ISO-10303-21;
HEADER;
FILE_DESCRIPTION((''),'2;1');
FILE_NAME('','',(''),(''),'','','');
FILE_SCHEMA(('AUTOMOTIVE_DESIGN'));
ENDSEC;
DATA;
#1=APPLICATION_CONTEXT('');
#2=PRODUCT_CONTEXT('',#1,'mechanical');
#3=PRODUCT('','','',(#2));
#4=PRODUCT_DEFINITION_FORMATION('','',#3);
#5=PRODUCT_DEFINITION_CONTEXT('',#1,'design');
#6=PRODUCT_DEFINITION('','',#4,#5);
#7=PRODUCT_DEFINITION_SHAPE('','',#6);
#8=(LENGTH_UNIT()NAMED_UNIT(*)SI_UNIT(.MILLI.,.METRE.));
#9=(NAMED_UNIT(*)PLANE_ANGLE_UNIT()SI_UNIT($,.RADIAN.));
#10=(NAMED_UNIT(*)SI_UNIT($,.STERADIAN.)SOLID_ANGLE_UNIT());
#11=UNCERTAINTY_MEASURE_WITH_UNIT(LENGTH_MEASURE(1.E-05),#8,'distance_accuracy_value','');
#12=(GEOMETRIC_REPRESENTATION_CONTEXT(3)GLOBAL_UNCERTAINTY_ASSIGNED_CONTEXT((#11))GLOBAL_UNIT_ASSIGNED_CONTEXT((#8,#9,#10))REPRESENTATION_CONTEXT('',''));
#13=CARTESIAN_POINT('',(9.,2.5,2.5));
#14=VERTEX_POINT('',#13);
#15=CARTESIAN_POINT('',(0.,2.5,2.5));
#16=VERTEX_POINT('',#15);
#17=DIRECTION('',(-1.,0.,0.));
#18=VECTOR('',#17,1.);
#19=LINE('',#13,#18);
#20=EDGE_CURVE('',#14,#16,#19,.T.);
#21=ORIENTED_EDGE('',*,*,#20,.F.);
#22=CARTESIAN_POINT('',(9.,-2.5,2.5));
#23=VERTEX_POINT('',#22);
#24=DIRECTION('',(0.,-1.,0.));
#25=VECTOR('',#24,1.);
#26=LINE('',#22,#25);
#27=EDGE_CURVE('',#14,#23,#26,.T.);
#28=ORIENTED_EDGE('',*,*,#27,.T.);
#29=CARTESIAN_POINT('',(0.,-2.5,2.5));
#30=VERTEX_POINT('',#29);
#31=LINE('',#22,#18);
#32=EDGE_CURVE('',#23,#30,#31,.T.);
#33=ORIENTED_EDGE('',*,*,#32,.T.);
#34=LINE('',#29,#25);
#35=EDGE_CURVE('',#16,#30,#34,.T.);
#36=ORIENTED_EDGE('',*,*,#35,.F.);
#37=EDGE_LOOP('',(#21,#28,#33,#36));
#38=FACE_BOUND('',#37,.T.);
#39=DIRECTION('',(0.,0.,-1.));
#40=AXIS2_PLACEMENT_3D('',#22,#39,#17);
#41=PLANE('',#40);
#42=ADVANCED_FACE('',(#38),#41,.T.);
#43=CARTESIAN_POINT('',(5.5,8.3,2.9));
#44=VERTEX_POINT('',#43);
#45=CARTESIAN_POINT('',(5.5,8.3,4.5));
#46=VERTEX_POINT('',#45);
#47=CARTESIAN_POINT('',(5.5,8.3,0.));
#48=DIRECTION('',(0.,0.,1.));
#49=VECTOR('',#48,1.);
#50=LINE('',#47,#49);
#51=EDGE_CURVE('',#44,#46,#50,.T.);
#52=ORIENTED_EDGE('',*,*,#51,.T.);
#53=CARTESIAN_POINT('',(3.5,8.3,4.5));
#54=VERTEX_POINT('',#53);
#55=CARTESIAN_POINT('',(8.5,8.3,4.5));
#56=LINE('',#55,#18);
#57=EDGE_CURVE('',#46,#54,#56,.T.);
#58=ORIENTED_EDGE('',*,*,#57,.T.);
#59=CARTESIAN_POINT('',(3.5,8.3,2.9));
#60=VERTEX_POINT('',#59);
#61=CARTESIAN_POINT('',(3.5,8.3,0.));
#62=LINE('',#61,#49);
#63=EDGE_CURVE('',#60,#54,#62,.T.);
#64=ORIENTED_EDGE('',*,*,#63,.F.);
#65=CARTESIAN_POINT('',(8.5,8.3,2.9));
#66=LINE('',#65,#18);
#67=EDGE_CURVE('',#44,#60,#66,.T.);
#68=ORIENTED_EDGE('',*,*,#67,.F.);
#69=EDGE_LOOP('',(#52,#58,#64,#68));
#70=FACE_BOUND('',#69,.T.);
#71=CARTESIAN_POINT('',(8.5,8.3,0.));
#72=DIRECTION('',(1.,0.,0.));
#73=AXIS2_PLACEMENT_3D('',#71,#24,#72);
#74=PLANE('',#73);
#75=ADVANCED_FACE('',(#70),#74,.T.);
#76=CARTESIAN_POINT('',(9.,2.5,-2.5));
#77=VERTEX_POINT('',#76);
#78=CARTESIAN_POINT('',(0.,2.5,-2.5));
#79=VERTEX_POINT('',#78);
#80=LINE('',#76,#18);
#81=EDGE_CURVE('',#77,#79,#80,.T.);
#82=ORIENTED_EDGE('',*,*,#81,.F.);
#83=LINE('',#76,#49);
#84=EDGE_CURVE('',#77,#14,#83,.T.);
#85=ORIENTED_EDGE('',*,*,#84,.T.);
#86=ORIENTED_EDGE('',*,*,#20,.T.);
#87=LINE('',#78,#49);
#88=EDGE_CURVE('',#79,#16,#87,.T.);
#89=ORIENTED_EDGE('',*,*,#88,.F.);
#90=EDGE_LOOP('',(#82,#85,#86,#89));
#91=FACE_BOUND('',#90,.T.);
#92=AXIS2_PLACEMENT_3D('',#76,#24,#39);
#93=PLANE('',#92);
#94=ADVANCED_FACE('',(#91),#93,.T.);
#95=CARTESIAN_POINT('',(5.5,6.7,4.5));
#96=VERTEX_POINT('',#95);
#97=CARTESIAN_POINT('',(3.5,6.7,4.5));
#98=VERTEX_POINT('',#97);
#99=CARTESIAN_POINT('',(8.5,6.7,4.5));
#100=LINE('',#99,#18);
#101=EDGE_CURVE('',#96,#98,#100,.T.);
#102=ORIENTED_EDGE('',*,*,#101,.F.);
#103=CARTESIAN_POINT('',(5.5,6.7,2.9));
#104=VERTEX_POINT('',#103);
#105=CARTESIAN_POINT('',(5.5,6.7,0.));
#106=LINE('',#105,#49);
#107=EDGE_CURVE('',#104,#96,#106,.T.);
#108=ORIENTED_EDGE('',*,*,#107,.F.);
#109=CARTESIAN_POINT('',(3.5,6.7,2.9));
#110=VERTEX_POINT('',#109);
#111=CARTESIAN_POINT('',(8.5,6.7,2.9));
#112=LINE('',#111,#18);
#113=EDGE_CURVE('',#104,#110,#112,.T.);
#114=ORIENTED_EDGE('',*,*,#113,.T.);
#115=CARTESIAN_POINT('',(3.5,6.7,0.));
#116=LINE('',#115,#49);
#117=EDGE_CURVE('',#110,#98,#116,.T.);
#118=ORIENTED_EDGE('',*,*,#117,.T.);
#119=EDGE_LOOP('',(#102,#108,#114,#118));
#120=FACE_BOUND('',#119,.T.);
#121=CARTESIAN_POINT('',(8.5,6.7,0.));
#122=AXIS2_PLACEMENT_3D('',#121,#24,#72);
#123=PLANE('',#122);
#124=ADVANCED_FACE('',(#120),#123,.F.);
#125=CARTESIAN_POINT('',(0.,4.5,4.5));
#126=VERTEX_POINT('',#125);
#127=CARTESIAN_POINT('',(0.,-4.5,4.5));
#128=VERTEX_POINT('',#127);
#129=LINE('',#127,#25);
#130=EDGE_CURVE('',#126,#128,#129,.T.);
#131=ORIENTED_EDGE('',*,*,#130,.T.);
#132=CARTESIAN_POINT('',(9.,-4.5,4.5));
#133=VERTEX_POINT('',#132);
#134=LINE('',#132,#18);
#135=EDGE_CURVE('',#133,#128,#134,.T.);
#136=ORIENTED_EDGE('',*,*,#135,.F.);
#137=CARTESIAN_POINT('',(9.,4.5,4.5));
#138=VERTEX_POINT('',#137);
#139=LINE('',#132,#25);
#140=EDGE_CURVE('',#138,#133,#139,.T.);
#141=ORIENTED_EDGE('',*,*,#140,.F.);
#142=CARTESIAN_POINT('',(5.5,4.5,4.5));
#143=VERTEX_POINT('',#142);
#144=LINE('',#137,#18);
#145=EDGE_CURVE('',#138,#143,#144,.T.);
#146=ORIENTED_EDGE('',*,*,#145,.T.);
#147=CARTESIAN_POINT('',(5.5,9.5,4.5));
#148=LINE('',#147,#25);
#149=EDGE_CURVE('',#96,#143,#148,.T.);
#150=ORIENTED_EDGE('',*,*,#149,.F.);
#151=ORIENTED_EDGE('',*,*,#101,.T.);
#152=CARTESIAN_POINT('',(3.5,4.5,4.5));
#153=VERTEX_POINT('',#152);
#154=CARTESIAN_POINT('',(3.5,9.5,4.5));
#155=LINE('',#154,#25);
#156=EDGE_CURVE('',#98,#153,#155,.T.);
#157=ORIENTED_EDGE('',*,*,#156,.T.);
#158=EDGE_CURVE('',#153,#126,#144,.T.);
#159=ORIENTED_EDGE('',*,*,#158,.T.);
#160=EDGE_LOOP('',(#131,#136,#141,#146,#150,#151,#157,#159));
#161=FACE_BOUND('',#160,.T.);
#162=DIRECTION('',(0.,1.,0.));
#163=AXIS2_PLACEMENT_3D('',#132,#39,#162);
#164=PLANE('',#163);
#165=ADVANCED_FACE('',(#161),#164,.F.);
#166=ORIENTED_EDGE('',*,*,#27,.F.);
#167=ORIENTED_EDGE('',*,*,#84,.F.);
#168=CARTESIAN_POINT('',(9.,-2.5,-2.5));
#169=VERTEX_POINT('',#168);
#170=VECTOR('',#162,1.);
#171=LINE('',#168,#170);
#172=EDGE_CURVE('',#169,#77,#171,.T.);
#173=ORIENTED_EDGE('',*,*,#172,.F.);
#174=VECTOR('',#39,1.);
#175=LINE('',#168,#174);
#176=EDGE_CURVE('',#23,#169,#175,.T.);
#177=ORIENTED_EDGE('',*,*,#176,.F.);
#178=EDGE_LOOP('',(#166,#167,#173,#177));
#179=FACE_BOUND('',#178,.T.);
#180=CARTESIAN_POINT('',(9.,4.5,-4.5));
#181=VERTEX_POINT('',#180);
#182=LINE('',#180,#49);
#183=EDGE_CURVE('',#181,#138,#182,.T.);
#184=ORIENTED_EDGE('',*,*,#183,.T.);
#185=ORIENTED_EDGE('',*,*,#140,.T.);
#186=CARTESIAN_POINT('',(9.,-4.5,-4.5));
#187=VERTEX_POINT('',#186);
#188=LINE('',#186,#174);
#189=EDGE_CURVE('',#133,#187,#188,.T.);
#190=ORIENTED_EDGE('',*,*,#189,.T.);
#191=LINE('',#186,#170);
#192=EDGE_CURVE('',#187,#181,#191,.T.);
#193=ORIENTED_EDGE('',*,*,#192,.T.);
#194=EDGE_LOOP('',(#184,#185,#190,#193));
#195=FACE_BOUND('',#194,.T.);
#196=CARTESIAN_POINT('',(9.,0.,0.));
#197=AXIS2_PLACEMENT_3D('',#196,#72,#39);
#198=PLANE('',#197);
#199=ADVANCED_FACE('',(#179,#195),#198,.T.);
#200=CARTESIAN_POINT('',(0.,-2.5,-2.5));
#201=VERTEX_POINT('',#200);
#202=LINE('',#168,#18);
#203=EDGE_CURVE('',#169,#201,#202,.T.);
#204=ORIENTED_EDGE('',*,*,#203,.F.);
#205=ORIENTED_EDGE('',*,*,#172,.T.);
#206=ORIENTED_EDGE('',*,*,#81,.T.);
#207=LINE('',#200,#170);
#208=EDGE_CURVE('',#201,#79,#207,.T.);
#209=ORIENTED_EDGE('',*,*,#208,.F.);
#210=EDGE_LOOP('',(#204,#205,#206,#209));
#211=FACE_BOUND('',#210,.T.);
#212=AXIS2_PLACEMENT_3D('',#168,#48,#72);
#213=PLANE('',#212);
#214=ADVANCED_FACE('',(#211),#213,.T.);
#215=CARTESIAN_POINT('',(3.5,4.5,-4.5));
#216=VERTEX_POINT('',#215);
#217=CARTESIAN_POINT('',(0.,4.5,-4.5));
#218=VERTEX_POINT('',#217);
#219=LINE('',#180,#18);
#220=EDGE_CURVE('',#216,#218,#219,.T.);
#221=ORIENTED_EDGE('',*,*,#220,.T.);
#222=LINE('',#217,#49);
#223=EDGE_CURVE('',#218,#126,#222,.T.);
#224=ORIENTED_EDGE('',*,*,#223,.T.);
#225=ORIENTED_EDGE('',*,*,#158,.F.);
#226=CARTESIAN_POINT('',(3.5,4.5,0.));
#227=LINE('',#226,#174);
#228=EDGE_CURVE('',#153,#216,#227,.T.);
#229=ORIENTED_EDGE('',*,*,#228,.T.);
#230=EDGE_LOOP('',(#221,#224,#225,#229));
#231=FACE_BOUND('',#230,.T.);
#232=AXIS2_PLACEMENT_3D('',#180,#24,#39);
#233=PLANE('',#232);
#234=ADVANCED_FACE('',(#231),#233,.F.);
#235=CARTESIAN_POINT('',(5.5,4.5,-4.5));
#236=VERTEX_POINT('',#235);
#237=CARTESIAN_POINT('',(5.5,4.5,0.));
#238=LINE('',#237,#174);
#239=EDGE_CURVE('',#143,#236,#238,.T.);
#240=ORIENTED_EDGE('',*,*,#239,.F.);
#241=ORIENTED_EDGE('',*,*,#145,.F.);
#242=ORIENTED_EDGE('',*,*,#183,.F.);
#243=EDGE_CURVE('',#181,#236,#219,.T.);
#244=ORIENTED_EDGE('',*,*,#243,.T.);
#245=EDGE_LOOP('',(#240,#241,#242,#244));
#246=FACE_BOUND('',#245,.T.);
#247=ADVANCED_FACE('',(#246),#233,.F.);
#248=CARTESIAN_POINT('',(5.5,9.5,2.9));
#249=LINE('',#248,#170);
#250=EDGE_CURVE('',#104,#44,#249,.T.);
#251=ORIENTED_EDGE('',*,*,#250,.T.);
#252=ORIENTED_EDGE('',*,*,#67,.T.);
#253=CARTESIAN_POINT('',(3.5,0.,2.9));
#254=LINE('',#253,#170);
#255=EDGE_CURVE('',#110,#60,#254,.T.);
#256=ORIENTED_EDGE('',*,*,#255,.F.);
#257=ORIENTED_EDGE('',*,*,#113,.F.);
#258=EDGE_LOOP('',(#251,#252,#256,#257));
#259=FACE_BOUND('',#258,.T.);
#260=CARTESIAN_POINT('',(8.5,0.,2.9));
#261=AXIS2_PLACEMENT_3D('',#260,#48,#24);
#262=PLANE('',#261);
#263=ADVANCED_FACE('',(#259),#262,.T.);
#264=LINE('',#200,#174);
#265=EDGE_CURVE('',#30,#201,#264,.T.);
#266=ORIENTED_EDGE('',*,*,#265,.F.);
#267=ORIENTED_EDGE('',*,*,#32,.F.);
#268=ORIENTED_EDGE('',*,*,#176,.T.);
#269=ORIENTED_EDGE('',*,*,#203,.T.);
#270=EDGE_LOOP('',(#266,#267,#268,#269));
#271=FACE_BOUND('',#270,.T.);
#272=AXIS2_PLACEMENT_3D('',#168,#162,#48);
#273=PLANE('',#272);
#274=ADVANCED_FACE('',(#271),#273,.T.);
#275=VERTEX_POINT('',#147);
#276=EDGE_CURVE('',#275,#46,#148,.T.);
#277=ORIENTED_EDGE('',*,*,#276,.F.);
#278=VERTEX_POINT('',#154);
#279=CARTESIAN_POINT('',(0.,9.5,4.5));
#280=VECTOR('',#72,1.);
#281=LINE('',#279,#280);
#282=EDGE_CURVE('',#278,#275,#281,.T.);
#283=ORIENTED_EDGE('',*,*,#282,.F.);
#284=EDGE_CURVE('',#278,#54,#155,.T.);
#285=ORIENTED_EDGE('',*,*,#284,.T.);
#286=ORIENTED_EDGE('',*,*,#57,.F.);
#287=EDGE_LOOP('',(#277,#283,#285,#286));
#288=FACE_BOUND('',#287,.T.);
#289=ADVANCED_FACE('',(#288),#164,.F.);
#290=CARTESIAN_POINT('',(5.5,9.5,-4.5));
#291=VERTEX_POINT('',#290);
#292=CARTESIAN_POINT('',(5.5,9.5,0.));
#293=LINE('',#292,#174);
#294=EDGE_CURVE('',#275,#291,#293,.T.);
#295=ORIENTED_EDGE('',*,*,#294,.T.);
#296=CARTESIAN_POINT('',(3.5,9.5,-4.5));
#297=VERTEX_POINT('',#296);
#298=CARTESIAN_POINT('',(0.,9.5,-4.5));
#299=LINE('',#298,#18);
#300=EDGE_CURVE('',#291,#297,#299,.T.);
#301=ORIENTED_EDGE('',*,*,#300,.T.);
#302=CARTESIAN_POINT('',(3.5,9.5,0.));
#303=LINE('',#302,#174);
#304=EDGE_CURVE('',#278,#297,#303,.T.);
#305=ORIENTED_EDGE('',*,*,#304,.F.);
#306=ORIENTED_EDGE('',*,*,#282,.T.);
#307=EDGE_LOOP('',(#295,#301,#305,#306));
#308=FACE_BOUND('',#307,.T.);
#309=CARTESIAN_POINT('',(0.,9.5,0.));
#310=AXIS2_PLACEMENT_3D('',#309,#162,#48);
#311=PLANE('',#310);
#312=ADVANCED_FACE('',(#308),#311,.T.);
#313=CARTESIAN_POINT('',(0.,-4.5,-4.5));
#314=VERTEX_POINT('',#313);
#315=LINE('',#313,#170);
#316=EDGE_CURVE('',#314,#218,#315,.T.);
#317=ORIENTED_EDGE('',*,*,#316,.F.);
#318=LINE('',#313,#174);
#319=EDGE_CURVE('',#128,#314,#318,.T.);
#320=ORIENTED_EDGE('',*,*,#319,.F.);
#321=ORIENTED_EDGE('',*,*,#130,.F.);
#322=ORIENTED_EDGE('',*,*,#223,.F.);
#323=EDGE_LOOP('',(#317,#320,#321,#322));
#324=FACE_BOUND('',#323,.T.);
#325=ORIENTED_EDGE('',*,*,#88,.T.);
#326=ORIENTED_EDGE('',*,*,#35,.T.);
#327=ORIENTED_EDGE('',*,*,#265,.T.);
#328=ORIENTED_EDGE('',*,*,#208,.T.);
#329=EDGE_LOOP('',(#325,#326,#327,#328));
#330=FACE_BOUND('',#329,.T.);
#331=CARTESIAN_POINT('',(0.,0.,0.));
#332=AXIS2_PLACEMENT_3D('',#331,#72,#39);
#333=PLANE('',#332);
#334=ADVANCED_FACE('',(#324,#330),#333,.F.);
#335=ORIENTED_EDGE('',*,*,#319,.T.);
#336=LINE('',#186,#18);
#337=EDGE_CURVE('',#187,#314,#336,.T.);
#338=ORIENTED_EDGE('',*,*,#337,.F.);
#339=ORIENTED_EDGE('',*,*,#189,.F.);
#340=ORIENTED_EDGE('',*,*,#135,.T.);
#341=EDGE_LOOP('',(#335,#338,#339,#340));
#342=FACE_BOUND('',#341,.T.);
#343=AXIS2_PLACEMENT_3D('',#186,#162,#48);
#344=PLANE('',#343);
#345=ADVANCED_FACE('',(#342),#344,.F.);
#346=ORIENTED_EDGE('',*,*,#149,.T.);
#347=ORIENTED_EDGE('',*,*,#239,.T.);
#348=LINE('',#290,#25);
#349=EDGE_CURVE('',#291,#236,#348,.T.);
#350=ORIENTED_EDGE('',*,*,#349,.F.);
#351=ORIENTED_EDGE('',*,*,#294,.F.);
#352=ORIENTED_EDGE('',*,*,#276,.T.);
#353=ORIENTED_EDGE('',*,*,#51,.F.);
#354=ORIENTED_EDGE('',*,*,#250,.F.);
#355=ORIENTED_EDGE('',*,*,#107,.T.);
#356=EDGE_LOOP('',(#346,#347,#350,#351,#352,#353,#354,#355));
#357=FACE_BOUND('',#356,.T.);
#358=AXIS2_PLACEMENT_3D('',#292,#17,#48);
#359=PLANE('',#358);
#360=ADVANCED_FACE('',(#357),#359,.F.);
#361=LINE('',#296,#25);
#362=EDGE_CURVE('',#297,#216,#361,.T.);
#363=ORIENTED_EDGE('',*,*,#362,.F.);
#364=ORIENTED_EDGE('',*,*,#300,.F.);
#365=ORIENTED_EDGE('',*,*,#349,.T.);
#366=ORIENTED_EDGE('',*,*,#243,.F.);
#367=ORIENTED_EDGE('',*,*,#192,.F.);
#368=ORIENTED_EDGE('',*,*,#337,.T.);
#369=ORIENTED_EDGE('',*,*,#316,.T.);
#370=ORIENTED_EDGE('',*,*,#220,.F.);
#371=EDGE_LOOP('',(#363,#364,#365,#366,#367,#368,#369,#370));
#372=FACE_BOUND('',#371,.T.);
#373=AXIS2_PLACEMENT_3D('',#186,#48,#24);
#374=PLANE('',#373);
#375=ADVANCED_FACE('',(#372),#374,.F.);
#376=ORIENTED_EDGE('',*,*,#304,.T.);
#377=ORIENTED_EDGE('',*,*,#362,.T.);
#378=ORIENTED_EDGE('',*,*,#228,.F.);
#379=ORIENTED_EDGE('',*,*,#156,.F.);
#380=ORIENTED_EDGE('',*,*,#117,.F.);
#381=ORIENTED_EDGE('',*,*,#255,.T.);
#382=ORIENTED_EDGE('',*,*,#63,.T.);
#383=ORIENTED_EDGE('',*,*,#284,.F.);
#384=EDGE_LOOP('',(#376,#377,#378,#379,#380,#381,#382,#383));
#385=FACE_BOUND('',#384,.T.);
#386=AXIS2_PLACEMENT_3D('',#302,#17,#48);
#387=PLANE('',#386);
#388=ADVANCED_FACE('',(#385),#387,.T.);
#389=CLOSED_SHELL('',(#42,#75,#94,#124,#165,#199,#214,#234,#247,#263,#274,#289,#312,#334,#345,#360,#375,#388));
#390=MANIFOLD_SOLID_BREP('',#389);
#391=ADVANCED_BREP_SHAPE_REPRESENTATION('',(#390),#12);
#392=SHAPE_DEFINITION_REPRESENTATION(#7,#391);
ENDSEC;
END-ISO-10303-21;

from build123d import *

# Parameters (mm, degrees)
SKETCH1_W           = 9
SKETCH1_H           = 9
SKETCH1_W_2         = 5
SKETCH1_H_2         = 5
BOSS_EXTRUDE1_DEPTH = 9
SKETCH2_W           = 2
SKETCH2_H           = 9
BOSS_EXTRUDE2_DEPTH = 5
SKETCH4_W           = 1.6
SKETCH4_H           = 1.6
CUT_EXTRUDE2_DEPTH  = 5


with BuildPart() as part:
    # Sketch1 → Boss-Extrude1 (new body)
    with BuildSketch(Plane(origin=(0, 0, 0), x_dir=(0, 0, -1), z_dir=(1, 0, 0))):
        Rectangle(SKETCH1_W, SKETCH1_H)
        Rectangle(SKETCH1_W_2, SKETCH1_H_2, mode=Mode.SUBTRACT)
    extrude(amount=BOSS_EXTRUDE1_DEPTH)

    # Sketch2 → Boss-Extrude2 (add)
    with BuildSketch(Plane(origin=(0, 4.5, 0), x_dir=(1, 0, 0), z_dir=(0, 1, 0))):
        with Locations((4.5, 0)):
            Rectangle(SKETCH2_W, SKETCH2_H)
    extrude(amount=BOSS_EXTRUDE2_DEPTH)

    # Sketch4 → Cut-Extrude2 (cut)
    with BuildSketch(Plane.ZY.offset(-3.5)):
        with Locations((3.7, 7.5)):
            Rectangle(SKETCH4_W, SKETCH4_H)
    extrude(amount=-CUT_EXTRUDE2_DEPTH, mode=Mode.SUBTRACT)


solid = part.part
